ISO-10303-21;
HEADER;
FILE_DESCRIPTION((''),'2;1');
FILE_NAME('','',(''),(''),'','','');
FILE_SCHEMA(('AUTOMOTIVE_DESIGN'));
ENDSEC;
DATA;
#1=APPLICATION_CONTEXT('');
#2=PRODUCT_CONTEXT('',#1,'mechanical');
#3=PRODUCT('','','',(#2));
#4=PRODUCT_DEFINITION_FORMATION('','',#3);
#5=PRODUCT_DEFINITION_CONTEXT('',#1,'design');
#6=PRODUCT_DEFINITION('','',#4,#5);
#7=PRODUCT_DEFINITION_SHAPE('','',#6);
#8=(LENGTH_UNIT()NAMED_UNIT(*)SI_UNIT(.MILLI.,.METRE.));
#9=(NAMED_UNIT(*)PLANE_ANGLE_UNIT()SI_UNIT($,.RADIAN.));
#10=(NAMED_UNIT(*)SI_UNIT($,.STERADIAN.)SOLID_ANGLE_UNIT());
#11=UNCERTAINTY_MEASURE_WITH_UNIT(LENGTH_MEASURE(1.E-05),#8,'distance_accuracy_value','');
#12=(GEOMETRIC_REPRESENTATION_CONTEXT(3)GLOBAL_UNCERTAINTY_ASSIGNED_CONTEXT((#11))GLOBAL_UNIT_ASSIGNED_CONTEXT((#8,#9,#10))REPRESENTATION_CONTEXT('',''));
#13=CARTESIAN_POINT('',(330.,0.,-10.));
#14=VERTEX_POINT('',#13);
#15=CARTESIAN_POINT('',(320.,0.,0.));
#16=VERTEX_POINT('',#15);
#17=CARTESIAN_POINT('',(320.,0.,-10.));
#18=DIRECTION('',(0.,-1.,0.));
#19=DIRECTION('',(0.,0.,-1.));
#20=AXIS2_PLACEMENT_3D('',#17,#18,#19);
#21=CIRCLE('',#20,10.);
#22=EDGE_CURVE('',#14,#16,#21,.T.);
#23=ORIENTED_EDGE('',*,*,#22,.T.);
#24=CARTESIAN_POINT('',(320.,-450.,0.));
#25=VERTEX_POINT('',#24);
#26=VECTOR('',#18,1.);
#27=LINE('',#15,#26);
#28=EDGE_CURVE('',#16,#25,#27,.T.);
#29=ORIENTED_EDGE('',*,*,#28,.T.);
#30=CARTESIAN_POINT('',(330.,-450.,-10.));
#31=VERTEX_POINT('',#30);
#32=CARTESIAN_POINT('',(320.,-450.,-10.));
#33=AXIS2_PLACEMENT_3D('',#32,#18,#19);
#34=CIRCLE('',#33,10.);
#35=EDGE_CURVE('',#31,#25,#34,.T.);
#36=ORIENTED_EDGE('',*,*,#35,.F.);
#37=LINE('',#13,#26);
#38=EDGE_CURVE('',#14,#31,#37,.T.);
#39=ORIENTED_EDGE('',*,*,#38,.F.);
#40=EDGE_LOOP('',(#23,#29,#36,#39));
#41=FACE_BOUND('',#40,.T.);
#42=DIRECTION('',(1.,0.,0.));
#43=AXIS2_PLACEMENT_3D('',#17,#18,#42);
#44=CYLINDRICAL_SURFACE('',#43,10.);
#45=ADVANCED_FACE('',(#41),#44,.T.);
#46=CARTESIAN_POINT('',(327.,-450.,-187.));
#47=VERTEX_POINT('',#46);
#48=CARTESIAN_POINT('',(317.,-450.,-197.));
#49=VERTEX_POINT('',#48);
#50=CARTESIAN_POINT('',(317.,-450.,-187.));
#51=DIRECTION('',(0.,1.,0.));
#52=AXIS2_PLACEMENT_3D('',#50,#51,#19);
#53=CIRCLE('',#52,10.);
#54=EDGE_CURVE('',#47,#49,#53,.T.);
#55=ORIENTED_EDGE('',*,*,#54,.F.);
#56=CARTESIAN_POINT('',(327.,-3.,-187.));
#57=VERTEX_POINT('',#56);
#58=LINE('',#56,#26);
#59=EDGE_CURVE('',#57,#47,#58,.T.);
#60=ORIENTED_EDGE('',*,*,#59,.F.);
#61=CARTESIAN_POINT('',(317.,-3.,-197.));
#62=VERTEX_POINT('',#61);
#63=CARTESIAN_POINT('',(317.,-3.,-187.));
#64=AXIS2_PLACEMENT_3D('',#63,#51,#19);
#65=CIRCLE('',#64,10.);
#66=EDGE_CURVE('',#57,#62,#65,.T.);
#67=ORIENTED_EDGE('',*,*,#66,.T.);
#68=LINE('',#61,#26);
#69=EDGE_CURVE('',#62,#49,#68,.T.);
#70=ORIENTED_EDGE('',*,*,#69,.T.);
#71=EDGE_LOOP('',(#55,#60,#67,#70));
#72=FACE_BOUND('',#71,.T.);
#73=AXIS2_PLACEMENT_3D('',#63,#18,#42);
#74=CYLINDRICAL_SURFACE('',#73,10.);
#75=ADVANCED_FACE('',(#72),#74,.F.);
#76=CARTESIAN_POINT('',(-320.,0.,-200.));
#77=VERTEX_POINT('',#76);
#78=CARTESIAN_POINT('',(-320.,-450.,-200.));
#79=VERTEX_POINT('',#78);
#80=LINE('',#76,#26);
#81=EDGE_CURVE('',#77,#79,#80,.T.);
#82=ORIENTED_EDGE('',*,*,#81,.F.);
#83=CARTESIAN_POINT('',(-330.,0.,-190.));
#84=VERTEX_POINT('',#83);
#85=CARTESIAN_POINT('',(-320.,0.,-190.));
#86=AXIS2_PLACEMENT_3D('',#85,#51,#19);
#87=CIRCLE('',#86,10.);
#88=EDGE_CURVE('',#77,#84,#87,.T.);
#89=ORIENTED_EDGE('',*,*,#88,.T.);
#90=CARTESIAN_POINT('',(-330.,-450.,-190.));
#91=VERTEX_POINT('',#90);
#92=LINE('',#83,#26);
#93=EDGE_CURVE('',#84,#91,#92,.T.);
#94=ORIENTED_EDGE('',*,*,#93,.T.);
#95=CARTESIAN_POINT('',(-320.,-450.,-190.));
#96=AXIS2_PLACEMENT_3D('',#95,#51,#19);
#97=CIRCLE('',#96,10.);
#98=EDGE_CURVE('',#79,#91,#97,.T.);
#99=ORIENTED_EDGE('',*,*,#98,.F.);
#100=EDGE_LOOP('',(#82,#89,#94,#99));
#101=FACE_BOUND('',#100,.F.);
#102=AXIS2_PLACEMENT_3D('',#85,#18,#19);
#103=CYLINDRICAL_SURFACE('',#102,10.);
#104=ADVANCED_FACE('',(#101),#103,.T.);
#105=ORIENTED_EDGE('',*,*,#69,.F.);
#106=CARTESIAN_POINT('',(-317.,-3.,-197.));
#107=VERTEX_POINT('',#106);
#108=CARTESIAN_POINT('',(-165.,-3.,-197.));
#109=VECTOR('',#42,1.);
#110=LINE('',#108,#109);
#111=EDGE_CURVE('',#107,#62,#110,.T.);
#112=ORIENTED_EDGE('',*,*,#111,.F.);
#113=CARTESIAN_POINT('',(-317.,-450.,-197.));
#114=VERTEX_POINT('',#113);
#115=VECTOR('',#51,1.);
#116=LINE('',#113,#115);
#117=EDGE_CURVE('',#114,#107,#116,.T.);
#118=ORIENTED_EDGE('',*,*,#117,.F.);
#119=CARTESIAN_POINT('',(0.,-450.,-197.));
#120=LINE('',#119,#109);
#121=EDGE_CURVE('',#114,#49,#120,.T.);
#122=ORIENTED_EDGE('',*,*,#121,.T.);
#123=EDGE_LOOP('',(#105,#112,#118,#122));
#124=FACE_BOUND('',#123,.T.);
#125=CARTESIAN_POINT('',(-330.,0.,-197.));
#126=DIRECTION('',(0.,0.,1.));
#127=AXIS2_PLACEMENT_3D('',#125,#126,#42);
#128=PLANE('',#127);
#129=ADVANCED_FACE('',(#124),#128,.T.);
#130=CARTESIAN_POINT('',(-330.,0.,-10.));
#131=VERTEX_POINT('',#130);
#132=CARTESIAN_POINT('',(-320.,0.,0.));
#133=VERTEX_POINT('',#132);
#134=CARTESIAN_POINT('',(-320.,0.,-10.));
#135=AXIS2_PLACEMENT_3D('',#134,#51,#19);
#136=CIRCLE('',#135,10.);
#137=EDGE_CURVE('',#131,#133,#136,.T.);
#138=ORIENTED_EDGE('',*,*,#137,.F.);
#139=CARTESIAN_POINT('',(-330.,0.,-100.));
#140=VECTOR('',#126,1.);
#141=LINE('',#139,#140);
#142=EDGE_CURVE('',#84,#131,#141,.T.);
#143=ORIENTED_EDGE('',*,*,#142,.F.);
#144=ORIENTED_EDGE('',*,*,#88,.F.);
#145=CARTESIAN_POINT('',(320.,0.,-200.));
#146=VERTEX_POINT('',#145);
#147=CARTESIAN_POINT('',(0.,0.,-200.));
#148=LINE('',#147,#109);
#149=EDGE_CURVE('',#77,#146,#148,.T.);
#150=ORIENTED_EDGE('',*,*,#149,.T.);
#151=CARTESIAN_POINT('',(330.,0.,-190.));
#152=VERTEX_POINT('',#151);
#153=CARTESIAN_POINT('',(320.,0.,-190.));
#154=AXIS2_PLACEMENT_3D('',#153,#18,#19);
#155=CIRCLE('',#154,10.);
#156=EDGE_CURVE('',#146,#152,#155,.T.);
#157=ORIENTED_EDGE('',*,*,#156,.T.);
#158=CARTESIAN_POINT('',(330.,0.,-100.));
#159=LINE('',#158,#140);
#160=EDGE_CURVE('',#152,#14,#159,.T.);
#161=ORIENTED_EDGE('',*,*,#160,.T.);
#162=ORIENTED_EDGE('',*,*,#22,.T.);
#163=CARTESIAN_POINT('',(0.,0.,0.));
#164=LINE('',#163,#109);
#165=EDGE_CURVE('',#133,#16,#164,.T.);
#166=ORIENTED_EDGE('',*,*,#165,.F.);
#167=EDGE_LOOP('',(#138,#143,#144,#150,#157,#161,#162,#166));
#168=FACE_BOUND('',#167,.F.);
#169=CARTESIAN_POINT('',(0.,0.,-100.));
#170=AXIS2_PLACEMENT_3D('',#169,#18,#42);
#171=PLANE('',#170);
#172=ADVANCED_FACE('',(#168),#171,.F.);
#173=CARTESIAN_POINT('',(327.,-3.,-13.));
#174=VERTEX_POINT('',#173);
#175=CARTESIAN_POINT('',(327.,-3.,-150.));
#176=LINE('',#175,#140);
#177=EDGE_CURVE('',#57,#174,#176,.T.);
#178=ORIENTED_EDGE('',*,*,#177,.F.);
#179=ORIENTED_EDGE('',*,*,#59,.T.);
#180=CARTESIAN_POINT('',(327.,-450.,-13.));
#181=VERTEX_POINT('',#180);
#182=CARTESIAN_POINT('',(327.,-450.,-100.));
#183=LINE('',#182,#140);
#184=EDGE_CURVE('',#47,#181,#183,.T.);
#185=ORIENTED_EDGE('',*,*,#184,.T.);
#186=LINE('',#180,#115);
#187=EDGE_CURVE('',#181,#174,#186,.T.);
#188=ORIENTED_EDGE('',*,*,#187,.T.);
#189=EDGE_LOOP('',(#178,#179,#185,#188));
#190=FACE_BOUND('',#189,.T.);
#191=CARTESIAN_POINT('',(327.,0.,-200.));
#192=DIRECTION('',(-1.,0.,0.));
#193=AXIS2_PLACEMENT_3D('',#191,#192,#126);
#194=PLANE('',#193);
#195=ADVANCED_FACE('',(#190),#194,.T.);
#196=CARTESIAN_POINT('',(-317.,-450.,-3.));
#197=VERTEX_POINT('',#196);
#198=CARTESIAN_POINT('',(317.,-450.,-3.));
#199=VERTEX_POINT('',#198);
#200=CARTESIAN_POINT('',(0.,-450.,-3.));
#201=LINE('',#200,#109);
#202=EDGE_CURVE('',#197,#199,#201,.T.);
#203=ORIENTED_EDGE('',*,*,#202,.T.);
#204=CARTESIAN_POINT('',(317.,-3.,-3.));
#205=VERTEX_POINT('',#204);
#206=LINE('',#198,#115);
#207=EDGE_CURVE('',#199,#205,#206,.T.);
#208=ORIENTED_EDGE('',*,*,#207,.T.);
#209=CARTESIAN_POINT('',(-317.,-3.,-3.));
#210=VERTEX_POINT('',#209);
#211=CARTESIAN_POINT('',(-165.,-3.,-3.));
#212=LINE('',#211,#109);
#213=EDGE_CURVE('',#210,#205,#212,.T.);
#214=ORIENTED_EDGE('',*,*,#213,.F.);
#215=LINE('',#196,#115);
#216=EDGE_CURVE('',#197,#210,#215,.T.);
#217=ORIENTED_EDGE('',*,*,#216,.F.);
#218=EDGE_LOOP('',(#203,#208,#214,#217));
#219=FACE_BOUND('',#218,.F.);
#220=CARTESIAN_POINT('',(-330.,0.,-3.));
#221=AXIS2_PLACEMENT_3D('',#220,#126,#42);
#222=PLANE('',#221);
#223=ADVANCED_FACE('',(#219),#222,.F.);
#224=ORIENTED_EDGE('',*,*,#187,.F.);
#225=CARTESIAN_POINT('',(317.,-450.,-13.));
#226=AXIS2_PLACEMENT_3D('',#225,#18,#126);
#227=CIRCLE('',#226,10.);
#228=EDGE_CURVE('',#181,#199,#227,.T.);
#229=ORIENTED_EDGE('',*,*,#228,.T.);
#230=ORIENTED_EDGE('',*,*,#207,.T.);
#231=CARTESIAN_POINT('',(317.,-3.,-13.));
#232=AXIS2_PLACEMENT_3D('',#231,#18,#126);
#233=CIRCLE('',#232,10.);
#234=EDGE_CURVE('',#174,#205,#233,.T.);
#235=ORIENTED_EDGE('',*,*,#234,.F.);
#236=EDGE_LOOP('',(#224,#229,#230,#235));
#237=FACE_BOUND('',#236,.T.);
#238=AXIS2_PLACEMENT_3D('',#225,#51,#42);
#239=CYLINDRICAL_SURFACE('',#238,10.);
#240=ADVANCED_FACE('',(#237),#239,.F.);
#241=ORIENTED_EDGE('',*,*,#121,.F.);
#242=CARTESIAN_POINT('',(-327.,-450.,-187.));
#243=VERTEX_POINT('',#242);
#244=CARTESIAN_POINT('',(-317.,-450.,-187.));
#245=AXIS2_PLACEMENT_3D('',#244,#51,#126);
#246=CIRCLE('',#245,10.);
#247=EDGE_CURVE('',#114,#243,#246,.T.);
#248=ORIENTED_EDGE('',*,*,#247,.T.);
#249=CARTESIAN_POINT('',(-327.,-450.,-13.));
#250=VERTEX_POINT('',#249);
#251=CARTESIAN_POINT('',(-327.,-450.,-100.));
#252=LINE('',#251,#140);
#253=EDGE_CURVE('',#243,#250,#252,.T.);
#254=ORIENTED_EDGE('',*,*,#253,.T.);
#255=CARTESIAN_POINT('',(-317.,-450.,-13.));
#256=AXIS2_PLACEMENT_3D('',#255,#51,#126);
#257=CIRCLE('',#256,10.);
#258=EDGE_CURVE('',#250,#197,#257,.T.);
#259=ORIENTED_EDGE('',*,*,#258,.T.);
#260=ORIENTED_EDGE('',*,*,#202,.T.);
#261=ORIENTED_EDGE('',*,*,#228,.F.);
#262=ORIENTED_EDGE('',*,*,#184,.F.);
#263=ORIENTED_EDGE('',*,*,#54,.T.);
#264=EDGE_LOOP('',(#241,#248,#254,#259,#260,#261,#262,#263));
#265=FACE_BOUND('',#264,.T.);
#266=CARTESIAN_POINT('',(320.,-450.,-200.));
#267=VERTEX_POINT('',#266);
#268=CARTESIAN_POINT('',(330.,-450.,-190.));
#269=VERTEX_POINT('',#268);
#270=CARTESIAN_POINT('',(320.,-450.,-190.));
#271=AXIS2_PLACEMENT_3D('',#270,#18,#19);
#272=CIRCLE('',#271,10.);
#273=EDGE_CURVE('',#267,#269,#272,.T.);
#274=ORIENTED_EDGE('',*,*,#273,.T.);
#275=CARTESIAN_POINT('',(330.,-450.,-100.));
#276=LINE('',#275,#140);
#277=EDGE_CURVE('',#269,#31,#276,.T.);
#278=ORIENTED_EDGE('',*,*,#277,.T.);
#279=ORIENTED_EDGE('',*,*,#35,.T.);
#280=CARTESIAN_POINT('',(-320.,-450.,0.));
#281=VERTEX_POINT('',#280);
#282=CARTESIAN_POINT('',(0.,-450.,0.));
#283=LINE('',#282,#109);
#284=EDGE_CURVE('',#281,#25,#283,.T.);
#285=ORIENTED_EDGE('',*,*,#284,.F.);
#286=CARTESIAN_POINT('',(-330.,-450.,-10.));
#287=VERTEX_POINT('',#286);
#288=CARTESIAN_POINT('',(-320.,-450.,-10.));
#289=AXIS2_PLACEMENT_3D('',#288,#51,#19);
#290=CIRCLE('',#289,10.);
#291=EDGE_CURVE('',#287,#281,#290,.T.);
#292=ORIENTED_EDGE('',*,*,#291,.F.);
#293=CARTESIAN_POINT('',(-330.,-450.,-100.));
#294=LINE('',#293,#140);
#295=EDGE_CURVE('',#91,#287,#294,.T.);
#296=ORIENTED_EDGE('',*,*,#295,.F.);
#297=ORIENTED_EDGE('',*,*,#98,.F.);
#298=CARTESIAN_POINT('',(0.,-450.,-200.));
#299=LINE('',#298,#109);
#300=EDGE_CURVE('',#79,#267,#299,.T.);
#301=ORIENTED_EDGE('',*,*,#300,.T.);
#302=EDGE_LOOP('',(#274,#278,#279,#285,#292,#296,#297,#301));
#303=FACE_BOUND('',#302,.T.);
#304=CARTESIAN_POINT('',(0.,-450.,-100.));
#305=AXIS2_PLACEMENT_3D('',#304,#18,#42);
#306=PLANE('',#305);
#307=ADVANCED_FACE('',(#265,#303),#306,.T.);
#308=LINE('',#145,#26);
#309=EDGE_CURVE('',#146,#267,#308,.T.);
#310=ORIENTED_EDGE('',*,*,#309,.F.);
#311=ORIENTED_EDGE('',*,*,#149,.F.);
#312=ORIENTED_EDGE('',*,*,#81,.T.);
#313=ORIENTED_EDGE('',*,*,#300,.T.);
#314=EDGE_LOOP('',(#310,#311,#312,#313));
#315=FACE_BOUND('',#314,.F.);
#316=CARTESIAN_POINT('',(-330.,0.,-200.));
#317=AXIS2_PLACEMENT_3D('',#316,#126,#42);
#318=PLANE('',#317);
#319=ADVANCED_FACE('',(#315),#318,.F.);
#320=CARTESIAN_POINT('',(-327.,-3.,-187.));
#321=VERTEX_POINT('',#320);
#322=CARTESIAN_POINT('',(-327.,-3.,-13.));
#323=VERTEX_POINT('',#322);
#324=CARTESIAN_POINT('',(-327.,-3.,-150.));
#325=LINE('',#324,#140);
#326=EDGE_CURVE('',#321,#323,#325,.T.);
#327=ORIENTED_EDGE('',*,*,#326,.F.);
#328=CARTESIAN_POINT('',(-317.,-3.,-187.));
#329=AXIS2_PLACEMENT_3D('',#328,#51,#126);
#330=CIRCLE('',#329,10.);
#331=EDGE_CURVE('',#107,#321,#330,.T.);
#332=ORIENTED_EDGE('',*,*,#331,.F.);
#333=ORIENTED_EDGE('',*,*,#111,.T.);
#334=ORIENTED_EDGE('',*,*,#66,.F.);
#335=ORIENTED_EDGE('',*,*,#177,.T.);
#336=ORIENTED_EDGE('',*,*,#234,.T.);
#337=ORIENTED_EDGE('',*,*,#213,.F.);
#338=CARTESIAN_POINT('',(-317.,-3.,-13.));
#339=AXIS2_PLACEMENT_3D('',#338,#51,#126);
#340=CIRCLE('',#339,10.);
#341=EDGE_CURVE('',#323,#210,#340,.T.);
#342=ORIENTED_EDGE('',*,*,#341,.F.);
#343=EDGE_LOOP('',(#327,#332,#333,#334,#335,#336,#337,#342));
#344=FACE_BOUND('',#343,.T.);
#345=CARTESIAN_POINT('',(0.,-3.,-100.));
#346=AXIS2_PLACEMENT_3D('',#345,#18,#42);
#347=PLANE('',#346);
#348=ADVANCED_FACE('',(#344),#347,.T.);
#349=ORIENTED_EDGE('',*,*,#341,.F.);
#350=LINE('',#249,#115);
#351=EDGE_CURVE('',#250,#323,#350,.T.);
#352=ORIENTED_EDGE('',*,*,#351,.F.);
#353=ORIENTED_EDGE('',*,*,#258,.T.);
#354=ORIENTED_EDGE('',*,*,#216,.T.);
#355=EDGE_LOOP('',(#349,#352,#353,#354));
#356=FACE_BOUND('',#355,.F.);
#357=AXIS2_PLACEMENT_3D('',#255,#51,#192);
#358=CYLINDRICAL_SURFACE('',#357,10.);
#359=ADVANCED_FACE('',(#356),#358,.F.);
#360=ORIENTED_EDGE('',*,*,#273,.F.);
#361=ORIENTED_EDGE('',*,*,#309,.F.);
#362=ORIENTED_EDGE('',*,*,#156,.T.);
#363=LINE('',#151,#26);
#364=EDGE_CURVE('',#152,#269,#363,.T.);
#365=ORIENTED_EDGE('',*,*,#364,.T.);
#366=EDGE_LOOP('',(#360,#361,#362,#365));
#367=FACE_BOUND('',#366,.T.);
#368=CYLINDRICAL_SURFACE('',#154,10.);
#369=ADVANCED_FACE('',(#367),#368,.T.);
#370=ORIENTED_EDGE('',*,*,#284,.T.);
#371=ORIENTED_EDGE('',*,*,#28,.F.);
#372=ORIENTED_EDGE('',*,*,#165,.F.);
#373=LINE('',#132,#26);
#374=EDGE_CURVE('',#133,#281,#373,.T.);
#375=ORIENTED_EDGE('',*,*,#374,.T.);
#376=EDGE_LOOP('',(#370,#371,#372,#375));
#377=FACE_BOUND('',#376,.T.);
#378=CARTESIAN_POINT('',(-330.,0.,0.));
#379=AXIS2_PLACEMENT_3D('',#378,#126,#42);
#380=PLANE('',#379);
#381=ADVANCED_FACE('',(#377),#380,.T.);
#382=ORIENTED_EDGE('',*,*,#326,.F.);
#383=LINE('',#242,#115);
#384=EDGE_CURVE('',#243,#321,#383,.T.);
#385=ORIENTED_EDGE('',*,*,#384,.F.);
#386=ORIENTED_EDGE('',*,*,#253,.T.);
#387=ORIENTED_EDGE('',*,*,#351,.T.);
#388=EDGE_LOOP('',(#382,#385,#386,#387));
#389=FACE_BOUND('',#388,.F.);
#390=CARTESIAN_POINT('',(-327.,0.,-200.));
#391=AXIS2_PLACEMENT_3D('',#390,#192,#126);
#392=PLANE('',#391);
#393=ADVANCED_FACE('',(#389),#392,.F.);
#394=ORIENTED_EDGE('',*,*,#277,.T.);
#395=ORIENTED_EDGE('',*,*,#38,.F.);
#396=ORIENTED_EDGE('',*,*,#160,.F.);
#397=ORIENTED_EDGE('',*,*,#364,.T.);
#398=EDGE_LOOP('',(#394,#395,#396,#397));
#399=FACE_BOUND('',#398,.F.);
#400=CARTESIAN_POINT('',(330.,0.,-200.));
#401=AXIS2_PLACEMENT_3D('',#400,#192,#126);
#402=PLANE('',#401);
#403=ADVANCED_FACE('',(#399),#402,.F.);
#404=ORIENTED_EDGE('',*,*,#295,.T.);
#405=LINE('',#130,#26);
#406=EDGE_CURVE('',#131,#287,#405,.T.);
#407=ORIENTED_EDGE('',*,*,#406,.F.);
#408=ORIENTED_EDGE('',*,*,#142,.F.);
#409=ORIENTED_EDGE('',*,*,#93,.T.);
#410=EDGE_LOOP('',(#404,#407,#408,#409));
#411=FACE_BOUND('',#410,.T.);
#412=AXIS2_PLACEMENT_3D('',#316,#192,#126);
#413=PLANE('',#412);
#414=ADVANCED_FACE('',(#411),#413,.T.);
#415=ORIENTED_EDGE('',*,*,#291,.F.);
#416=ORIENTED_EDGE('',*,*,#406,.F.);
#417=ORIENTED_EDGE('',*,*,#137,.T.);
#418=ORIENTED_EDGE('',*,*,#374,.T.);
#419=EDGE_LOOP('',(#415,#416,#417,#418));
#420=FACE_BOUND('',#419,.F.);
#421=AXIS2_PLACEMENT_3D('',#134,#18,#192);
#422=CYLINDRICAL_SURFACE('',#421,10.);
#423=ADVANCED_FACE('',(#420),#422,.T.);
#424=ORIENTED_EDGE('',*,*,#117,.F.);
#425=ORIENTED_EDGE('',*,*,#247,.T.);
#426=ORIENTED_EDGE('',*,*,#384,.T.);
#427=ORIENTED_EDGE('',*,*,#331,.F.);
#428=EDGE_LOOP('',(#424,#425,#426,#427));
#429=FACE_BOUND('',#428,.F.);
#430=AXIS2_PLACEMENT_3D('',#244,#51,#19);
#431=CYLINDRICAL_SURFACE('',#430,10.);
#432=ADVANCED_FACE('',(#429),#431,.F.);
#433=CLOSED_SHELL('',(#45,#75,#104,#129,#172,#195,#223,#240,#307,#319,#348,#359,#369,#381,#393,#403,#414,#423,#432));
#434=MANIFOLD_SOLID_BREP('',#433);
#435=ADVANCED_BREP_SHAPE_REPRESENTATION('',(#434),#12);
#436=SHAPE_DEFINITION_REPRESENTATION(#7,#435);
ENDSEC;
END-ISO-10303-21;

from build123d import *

# Parameters (mm, degrees)
F3_W     = 660
F3_H     = 200
F4_DEPTH = 450
F5_T     = -3
F6_R     = 10
F7_R     = 10
F8_R     = 10


with BuildPart() as f4:
    # F3 (on Front) → F4 (new body)
    with BuildSketch(Plane.XZ):
        with Locations((0, -100)):
            Rectangle(F3_W, F3_H)
    extrude(amount=F4_DEPTH)

    # F5
    f5_openings = [f4.faces().sort_by_distance(p)[0] for p in [
        (0, -450, -100),
    ]]
    offset(amount=F5_T, openings=f5_openings)

    # F6
    f6_edges = [f4.edges().sort_by_distance(p)[0] for p in [
        (330, -225, -200),
        (330, -225, 0),
    ]]
    fillet(f6_edges, radius=F6_R)

    # F7
    f7_edges = [f4.edges().sort_by_distance(p)[0] for p in [
        (327, -226.5, -197),
        (327, -226.5, -3),
        (-327, -226.5, -197),
        (-327, -226.5, -3),
    ]]
    fillet(f7_edges, radius=F7_R)

    # F8
    f8_edges = [f4.edges().sort_by_distance(p)[0] for p in [
        (-330, -225, -200),
        (-330, -225, 0),
    ]]
    fillet(f8_edges, radius=F8_R)


solid = f4.part
